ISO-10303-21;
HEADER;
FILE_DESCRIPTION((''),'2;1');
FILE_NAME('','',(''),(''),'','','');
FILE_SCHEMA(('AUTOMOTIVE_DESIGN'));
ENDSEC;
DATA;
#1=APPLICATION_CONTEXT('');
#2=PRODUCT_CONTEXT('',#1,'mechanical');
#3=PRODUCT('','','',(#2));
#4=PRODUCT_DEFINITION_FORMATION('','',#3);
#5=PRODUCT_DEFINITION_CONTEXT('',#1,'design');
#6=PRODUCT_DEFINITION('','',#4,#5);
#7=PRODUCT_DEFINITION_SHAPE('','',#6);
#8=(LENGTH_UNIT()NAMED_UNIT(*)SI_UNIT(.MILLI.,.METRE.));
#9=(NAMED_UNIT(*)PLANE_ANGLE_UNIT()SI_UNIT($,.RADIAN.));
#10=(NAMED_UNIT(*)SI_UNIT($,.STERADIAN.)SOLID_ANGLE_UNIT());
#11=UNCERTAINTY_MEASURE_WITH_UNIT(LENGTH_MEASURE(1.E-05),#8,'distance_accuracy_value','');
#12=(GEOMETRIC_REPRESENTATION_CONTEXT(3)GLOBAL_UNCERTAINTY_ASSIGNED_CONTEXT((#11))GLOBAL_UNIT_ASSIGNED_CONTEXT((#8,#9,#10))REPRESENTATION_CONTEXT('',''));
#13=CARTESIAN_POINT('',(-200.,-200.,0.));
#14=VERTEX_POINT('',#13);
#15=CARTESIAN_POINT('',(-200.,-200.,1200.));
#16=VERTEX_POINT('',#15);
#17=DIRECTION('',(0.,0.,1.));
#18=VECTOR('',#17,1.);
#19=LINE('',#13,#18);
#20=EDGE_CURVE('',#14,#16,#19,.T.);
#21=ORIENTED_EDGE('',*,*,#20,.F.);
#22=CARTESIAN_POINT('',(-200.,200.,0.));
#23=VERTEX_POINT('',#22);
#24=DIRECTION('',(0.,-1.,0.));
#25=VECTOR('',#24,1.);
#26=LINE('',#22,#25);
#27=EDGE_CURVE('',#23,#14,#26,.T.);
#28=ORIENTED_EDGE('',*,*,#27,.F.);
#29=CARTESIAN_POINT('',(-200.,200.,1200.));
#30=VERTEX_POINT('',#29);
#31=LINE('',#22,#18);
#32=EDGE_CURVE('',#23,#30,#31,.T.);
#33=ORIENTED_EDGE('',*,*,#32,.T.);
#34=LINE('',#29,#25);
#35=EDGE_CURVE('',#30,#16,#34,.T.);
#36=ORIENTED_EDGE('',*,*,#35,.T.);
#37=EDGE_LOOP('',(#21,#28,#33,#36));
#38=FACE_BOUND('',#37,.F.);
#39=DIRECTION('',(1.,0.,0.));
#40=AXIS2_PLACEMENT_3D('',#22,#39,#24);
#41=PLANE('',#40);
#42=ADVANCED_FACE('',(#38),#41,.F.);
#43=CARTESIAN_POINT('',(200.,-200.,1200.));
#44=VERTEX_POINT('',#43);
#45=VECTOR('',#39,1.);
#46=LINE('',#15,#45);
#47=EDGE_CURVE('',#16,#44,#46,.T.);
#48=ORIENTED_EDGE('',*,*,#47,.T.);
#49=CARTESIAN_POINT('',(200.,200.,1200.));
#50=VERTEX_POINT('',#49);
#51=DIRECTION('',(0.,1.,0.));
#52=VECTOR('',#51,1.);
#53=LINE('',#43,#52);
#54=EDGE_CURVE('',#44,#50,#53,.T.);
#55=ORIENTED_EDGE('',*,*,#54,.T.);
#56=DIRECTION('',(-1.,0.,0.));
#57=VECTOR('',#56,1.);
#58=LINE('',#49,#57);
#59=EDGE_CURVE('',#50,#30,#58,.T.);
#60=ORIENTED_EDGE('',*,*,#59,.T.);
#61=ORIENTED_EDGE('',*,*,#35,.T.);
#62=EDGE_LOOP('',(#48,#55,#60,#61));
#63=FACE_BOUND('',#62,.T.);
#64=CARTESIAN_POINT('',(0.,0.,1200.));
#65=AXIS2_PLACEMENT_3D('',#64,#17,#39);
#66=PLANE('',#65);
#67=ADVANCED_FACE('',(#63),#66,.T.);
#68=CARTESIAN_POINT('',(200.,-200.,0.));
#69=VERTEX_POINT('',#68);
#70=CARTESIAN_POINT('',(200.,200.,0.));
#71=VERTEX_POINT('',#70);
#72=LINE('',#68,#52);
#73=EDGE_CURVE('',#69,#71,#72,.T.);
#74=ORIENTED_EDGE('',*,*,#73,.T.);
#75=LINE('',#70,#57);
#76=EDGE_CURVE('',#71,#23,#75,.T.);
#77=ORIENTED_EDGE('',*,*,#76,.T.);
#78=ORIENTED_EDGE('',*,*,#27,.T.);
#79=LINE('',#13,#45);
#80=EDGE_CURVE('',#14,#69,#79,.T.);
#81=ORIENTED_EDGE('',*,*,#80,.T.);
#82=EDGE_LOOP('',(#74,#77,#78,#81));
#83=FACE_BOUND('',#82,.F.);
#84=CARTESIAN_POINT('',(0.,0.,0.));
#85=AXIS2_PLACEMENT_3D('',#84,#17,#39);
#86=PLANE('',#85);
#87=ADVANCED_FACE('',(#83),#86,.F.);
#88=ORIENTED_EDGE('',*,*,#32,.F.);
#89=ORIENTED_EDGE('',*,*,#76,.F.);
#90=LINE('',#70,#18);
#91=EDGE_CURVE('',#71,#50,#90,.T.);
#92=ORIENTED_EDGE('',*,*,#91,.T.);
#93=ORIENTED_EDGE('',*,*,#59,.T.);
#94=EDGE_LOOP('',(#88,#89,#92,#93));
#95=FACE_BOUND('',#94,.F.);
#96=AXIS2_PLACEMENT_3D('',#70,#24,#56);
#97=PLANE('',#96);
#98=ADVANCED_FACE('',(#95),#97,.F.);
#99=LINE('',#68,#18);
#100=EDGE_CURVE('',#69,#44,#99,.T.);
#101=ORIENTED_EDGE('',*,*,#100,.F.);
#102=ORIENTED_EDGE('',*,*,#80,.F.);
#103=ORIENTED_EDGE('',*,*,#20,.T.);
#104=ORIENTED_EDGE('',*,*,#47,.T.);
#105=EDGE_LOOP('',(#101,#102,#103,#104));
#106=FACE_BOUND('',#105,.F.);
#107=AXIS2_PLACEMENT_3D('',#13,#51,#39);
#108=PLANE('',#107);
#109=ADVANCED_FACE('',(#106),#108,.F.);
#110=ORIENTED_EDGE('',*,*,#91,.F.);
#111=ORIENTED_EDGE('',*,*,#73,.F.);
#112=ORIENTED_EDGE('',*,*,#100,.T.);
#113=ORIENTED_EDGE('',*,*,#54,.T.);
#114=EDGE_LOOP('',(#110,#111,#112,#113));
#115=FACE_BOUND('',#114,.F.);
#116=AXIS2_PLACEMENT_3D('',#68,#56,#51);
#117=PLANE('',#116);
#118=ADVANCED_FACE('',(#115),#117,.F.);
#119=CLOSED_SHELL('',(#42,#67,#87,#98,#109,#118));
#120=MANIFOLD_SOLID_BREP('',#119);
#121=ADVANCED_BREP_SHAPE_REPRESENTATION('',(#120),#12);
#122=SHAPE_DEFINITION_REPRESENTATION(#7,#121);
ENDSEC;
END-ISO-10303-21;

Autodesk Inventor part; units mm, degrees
ref_plane "YZ Plane" through (0, 0, 0) normal (1, 0, 0) x (0, 1, 0)
ref_plane "XZ Plane" through (0, 0, 0) normal (0, 1, 0) x (-1, 0, 0)
ref_plane "XY Plane" through (0, 0, 0) normal (0, 0, 1) x (1, 0, 0)
sketch "Sketch1" plane through (0, 0, 0) normal (0, 0, 1) x (1, 0, 0)
  line L0 (-200, -200) -> (200, -200)
  line L1 (200, -200) -> (200, 200)
  line L2 (200, 200) -> (-200, 200)
  line L3 (-200, 200) -> (-200, -200)
  line L4 (200, -200) -> (-200, 200) construction
  point P0 (0, 0)
  point P1 (0, 0)
  dimension "d0" = 400
  dimension "d1" = 400
extrude "Extrusion1" add sketch "Sketch1" along normal blind 1200
equation "\"d0\" = Длина"
equation "\"d1\" = Ширина"
equation "\"d2\" = Высота"
equation "\"Длина\" = 400"
equation "\"Ширина\" = 400"
equation "\"Высота\" = 1200"
properties part number "Flocculant barrel"
